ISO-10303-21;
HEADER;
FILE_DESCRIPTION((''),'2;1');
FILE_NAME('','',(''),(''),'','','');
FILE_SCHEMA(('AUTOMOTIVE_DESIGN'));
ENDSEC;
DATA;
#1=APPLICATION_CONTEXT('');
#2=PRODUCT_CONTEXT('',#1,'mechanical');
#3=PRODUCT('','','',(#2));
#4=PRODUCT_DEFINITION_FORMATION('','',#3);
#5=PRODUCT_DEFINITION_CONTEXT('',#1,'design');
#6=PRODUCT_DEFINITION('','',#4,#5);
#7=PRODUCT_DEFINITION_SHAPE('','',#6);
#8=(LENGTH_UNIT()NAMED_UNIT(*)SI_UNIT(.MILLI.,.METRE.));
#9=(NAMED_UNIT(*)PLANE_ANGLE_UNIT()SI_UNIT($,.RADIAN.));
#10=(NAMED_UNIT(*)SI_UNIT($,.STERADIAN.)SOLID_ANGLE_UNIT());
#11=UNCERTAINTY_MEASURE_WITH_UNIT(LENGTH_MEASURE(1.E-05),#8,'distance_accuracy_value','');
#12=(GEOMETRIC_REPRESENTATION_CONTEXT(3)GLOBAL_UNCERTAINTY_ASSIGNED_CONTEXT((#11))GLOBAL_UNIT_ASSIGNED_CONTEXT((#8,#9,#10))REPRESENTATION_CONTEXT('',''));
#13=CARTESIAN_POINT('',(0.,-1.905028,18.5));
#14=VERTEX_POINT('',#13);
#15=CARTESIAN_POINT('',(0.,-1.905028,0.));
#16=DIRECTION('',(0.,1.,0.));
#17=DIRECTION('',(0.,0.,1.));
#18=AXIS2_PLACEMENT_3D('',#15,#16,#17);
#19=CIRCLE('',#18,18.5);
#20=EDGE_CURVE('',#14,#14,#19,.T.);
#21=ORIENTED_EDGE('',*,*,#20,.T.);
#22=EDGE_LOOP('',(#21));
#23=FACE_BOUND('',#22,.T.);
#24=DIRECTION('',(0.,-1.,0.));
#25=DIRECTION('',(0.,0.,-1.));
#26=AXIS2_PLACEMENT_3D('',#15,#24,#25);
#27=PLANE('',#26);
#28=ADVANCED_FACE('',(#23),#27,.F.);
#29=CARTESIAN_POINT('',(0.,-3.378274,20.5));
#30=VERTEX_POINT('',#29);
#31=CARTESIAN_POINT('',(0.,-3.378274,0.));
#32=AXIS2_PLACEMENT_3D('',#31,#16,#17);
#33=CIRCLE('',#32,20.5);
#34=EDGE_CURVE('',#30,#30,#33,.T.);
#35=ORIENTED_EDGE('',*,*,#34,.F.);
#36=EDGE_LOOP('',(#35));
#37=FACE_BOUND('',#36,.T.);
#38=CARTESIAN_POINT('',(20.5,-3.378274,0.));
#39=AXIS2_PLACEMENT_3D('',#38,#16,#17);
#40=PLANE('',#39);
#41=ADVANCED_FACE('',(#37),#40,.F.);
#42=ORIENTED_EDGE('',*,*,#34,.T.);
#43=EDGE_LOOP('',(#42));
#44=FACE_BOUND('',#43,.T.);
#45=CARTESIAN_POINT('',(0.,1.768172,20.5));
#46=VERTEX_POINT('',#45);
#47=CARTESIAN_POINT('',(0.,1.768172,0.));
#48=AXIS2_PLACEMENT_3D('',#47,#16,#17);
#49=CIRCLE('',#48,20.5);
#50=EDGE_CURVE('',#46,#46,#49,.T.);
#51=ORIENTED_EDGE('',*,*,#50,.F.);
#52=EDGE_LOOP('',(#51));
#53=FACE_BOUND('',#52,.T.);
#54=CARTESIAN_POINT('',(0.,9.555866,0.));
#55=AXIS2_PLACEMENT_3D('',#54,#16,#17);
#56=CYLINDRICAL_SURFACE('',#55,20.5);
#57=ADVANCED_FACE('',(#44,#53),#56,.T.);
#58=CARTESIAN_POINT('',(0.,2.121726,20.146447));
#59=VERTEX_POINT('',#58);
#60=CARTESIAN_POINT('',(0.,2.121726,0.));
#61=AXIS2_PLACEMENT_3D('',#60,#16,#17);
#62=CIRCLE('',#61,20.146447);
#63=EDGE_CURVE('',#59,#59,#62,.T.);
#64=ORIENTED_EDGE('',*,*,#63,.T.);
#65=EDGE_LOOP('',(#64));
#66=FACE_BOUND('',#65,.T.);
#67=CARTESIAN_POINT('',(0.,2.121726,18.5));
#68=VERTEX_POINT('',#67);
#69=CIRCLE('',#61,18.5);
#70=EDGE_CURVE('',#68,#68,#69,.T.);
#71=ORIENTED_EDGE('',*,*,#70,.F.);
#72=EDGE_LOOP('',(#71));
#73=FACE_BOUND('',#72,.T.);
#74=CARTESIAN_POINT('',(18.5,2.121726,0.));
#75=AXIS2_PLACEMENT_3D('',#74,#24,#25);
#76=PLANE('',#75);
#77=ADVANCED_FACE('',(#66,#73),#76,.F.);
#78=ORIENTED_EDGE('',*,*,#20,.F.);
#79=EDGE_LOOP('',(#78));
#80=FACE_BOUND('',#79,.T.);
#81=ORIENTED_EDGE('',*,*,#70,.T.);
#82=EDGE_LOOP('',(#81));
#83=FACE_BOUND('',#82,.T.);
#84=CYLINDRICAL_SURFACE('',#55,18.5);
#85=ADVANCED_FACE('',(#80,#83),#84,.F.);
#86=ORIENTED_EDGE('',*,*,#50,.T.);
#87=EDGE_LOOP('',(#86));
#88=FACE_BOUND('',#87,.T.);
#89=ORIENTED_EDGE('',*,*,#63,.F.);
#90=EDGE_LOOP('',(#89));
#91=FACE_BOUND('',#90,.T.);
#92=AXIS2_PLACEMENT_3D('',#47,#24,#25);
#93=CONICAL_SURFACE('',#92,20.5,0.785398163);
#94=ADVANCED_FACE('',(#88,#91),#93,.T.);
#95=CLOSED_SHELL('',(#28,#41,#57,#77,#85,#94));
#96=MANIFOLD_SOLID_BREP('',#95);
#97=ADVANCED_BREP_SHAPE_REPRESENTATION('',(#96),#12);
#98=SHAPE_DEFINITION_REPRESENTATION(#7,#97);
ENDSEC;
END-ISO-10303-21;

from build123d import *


with BuildPart() as part:
    # Sketch1 → Revolve1 (revolve)
    with BuildSketch(Plane.XY):
        Polygon((0, -1.905027933), (18.5, -1.905027933), (18.5, 2.121725852), (20.146446609, 2.121725852), (20.5, 1.768172462), (20.5, -3.378274148), (0, -3.378274148), align=None)
    revolve(axis=Axis((0, 9.555865922, 0), (0, -1, 0)))


solid = part.part
